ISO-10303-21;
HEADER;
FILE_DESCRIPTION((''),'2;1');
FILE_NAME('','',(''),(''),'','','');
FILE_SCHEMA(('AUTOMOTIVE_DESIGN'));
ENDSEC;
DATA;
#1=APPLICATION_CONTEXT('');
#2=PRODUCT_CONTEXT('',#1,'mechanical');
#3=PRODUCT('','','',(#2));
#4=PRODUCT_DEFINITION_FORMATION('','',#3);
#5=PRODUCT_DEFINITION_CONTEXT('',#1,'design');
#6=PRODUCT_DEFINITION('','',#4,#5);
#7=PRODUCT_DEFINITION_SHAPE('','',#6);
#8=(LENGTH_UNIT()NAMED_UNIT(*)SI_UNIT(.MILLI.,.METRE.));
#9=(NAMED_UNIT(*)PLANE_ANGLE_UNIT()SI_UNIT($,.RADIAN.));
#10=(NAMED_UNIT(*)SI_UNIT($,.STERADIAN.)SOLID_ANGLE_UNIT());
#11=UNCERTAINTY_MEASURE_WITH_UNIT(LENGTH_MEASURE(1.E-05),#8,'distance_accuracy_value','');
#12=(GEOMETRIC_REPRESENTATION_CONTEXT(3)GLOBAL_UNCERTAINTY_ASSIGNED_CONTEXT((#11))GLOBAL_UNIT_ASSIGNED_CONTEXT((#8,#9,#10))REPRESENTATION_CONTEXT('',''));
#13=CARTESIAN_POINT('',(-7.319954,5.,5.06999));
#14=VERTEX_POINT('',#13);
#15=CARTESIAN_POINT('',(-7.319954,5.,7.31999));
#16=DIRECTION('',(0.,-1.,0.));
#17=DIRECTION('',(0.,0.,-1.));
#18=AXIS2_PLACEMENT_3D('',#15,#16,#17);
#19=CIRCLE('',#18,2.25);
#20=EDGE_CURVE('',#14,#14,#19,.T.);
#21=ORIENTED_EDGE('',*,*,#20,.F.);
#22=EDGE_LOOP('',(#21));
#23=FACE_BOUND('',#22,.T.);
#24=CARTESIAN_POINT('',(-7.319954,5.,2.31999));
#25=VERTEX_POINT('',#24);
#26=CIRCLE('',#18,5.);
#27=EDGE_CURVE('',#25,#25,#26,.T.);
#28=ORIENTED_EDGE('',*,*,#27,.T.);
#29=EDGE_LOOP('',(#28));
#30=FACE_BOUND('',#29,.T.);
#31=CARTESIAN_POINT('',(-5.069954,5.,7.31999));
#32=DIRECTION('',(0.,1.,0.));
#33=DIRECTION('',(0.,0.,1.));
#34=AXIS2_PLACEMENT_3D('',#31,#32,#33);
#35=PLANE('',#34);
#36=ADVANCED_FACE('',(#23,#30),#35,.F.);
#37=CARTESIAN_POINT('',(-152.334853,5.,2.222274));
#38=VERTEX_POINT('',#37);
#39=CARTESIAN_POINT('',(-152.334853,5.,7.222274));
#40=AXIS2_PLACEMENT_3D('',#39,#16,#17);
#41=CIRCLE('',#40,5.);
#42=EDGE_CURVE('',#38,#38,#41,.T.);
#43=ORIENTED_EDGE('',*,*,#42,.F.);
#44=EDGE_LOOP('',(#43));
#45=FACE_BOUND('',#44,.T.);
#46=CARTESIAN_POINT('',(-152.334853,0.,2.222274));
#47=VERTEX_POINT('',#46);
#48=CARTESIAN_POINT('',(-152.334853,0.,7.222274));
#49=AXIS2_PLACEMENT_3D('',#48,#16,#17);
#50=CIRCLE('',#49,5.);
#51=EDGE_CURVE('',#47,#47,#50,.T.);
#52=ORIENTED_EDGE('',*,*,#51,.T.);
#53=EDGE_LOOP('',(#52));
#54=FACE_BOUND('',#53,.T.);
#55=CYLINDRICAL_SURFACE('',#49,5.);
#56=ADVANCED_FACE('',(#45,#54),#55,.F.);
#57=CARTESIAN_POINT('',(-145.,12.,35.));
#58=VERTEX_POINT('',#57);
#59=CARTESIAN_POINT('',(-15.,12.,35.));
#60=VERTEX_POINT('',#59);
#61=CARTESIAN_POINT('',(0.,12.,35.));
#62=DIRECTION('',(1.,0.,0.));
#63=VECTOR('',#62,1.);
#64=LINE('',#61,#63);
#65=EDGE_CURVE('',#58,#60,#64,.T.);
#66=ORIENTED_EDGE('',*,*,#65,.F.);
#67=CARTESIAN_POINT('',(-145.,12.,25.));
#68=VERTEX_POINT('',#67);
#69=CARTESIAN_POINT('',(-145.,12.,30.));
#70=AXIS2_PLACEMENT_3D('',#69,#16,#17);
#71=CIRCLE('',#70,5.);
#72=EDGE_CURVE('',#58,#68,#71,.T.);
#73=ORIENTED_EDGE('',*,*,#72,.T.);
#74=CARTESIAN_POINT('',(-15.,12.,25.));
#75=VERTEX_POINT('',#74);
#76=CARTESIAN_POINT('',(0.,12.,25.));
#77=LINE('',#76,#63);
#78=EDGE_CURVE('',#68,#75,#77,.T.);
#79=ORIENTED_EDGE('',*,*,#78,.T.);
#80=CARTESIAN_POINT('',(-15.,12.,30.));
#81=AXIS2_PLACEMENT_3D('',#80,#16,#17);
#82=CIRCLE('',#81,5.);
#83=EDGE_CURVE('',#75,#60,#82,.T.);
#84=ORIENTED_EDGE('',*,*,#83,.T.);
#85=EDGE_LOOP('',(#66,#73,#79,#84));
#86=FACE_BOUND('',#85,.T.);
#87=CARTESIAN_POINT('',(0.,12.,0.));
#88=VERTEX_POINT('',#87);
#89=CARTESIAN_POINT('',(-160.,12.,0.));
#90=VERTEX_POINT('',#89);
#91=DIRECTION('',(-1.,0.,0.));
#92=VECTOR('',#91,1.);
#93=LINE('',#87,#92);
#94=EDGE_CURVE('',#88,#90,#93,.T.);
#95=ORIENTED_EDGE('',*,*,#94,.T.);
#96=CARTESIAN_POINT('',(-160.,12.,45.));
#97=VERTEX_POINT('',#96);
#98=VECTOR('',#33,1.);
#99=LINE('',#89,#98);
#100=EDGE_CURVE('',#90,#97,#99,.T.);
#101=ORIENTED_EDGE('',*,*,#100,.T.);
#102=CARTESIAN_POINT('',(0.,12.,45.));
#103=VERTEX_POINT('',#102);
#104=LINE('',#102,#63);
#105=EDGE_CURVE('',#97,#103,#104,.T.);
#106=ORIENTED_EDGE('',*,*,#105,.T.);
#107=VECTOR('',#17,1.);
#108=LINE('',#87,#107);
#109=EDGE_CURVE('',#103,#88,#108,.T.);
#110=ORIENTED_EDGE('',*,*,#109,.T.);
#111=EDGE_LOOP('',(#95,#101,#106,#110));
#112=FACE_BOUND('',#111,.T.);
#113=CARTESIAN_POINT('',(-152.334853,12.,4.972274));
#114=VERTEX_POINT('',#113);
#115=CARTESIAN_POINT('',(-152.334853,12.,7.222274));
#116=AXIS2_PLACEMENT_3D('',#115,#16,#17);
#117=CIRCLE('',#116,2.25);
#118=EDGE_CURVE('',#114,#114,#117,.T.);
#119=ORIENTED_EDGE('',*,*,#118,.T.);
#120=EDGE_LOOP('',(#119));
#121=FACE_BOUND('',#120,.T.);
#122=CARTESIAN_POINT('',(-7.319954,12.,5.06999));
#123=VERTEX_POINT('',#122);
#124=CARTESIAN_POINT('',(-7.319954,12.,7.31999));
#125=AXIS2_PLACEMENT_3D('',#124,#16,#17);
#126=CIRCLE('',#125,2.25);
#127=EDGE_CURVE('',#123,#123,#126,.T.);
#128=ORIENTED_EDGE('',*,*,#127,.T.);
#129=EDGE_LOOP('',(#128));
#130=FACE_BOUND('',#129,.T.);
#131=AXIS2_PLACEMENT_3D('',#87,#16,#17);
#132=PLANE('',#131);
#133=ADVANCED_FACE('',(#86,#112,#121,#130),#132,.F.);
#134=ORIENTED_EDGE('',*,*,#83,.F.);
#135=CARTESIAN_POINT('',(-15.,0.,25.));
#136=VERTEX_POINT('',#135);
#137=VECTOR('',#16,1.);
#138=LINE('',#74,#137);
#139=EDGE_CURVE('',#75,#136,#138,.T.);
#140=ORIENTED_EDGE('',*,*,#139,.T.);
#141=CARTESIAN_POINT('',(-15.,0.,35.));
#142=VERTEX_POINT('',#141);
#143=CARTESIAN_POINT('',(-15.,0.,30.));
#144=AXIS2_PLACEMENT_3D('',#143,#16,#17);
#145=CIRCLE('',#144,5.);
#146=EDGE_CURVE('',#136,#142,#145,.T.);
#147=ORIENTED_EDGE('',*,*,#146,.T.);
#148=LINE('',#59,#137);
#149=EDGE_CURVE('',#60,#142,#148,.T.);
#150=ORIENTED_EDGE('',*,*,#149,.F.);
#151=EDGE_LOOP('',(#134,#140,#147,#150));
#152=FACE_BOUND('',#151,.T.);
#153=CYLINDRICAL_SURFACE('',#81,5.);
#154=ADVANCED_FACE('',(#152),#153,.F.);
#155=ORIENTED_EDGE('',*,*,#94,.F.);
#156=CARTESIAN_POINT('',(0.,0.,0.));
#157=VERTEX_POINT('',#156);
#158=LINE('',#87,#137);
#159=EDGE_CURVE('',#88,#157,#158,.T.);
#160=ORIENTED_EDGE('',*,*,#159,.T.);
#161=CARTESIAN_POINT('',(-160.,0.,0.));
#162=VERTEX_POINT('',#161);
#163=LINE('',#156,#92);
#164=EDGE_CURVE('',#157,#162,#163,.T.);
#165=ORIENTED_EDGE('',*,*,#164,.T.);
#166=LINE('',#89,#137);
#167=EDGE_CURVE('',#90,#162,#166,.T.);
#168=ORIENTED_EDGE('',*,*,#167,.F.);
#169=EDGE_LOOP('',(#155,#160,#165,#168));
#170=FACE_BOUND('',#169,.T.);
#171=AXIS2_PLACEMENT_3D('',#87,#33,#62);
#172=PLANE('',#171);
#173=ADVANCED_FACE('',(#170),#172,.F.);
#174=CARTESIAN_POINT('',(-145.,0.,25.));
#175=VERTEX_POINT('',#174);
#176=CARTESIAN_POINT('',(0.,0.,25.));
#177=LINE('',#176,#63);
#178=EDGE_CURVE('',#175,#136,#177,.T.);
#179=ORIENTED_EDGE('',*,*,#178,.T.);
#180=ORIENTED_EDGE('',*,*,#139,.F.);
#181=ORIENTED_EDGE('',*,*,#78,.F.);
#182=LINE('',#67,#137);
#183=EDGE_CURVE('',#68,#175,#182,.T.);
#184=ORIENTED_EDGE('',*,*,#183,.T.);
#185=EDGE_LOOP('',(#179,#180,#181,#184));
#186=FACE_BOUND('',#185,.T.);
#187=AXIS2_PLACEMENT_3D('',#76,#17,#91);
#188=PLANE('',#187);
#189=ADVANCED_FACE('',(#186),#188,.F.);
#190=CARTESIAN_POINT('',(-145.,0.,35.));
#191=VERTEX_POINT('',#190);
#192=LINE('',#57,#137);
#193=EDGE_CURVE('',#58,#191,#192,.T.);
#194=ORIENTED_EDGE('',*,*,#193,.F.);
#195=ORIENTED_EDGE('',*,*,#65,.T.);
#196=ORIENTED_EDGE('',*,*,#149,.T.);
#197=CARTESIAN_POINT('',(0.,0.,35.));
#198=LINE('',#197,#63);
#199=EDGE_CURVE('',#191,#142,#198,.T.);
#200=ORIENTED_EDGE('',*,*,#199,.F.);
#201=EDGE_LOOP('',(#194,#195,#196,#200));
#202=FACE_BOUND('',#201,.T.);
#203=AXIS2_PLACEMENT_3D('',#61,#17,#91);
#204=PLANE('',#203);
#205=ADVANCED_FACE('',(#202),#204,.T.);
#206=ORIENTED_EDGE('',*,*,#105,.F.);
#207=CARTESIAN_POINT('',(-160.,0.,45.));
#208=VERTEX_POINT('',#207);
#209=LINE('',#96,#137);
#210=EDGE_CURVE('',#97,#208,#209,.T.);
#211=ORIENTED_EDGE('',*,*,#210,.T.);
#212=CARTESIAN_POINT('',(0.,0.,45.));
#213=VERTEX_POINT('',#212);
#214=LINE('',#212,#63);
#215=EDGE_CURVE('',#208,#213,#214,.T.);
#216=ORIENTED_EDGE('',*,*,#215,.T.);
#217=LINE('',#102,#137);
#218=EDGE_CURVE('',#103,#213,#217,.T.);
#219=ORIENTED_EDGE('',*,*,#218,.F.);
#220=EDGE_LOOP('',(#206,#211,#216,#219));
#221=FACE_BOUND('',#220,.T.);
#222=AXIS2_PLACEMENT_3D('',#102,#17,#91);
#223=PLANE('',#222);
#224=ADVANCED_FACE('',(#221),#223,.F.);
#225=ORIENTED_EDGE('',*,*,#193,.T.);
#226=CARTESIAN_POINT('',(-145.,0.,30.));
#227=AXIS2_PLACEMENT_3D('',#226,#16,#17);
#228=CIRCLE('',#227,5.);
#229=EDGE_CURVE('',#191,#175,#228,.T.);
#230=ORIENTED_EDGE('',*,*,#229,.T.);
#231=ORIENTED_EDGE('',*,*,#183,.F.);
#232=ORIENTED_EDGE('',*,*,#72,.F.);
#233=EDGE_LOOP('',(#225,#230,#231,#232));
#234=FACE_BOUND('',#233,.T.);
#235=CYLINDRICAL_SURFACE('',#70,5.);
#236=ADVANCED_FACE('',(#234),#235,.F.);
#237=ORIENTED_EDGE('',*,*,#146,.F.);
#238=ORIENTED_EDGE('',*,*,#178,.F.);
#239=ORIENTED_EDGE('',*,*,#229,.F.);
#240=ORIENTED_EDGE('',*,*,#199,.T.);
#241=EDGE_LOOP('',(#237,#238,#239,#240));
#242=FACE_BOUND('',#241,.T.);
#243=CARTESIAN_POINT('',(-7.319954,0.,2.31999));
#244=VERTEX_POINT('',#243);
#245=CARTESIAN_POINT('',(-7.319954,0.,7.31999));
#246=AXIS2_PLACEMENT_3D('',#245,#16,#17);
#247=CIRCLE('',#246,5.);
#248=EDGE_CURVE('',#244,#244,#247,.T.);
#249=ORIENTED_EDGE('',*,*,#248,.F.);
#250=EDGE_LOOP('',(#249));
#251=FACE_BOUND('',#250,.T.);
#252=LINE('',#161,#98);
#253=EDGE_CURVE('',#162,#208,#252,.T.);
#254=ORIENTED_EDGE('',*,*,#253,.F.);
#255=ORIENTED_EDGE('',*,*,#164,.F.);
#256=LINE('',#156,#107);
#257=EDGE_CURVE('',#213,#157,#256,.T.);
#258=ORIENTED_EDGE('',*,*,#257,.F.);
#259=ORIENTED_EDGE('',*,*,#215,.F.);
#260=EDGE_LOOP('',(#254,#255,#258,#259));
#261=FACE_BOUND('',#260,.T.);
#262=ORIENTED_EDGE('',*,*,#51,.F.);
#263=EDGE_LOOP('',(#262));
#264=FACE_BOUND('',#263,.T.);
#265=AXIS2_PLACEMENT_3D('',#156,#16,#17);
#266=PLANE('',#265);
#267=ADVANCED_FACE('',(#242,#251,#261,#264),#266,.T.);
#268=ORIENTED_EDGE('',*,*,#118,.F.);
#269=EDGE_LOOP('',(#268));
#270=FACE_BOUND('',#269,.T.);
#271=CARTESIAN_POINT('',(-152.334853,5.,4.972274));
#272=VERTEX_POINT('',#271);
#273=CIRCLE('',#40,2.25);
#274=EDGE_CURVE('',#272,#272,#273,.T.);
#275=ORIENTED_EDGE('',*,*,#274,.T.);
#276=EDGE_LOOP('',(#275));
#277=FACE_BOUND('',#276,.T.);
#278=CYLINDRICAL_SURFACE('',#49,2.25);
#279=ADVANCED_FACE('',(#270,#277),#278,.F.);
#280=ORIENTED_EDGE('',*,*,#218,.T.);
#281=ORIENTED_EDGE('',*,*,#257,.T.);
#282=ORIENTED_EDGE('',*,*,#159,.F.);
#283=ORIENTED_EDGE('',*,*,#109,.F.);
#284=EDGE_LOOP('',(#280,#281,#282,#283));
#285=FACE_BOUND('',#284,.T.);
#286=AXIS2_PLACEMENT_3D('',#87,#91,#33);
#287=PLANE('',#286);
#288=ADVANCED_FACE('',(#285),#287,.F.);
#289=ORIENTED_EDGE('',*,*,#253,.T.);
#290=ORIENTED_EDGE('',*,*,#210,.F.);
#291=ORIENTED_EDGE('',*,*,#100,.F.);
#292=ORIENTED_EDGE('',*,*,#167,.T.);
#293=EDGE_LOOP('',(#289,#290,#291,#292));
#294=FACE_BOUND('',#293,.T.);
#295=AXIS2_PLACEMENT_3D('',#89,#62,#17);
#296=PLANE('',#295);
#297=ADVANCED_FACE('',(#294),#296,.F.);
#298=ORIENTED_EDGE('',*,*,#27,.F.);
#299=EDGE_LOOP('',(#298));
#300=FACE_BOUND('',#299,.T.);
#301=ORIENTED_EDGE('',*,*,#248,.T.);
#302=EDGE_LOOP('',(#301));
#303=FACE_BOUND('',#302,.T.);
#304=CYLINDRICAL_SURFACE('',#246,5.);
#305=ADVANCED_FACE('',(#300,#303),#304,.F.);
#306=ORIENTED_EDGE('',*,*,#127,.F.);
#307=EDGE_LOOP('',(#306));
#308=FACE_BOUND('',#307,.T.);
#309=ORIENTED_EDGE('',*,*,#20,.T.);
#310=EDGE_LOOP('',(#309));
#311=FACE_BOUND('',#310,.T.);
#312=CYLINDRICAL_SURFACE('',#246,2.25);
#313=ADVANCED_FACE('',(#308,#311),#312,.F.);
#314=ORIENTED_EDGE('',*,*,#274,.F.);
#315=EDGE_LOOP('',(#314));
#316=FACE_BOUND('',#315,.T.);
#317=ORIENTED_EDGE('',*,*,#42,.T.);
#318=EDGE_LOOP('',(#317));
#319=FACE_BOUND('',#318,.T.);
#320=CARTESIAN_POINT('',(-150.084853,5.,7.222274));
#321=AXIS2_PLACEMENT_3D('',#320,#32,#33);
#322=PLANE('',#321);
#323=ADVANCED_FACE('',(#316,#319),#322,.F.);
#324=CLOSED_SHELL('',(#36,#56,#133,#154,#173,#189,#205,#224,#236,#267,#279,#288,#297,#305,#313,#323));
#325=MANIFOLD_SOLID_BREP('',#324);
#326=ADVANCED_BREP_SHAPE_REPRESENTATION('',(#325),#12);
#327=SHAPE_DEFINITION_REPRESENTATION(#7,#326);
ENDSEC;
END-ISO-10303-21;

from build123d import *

# Parameters (mm, degrees)
SKETCH1_W                               = 160
SKETCH1_H                               = 45
BOSS_EXTRUDE1_DEPTH                     = 12
CBORE_FOR_M5_HEX_HEAD_BOLT5_D           = 4.5
CBORE_FOR_M5_HEX_HEAD_BOLT5_CBORE_D     = 10
CBORE_FOR_M5_HEX_HEAD_BOLT5_CBORE_DEPTH = 5
CBORE_FOR_M5_HEX_HEAD_BOLT7_D           = 4.5
CBORE_FOR_M5_HEX_HEAD_BOLT7_CBORE_D     = 10
CBORE_FOR_M5_HEX_HEAD_BOLT7_CBORE_DEPTH = 5
CUT_EXTRUDE4_DEPTH                      = 12


with BuildPart() as part:
    # Sketch1 → Boss-Extrude1 (new body)
    with BuildSketch(Plane(origin=(0, 0, 0), x_dir=(1, 0, 0), z_dir=(0, 1, 0))):
        with Locations((-80, -22.5)):
            Rectangle(SKETCH1_W, SKETCH1_H)
    extrude(amount=BOSS_EXTRUDE1_DEPTH)

    # CBORE for M5 Hex Head Bolt5 (through all)
    with Locations(Plane(origin=(0, 0, 0), x_dir=(-1, 0, 0), z_dir=(0, -1, 0))):
        with Locations((152.334853244, -7.222273521)):
            CounterBoreHole(CBORE_FOR_M5_HEX_HEAD_BOLT5_D / 2, CBORE_FOR_M5_HEX_HEAD_BOLT5_CBORE_D / 2, CBORE_FOR_M5_HEX_HEAD_BOLT5_CBORE_DEPTH)

    # CBORE for M5 Hex Head Bolt7 (through all)
    with Locations(Plane(origin=(0, 0, 0), x_dir=(-1, 0, 0), z_dir=(0, -1, 0))):
        with Locations((7.319954145, -7.319990423)):
            CounterBoreHole(CBORE_FOR_M5_HEX_HEAD_BOLT7_D / 2, CBORE_FOR_M5_HEX_HEAD_BOLT7_CBORE_D / 2, CBORE_FOR_M5_HEX_HEAD_BOLT7_CBORE_DEPTH)

    # Sketch17 → Cut-Extrude4 (cut)
    with BuildSketch(Plane(origin=(0, 0, 0), x_dir=(-1, 0, 0), z_dir=(0, -1, 0))):
        with BuildLine():
            ThreePointArc((145, -35), (150, -30), (145, -25))
            Line((145, -25), (15, -25))
            ThreePointArc((15, -25), (10, -30), (15, -35))
            Line((15, -35), (145, -35))
        make_face()
    extrude(amount=-CUT_EXTRUDE4_DEPTH, mode=Mode.SUBTRACT)


solid = part.part
